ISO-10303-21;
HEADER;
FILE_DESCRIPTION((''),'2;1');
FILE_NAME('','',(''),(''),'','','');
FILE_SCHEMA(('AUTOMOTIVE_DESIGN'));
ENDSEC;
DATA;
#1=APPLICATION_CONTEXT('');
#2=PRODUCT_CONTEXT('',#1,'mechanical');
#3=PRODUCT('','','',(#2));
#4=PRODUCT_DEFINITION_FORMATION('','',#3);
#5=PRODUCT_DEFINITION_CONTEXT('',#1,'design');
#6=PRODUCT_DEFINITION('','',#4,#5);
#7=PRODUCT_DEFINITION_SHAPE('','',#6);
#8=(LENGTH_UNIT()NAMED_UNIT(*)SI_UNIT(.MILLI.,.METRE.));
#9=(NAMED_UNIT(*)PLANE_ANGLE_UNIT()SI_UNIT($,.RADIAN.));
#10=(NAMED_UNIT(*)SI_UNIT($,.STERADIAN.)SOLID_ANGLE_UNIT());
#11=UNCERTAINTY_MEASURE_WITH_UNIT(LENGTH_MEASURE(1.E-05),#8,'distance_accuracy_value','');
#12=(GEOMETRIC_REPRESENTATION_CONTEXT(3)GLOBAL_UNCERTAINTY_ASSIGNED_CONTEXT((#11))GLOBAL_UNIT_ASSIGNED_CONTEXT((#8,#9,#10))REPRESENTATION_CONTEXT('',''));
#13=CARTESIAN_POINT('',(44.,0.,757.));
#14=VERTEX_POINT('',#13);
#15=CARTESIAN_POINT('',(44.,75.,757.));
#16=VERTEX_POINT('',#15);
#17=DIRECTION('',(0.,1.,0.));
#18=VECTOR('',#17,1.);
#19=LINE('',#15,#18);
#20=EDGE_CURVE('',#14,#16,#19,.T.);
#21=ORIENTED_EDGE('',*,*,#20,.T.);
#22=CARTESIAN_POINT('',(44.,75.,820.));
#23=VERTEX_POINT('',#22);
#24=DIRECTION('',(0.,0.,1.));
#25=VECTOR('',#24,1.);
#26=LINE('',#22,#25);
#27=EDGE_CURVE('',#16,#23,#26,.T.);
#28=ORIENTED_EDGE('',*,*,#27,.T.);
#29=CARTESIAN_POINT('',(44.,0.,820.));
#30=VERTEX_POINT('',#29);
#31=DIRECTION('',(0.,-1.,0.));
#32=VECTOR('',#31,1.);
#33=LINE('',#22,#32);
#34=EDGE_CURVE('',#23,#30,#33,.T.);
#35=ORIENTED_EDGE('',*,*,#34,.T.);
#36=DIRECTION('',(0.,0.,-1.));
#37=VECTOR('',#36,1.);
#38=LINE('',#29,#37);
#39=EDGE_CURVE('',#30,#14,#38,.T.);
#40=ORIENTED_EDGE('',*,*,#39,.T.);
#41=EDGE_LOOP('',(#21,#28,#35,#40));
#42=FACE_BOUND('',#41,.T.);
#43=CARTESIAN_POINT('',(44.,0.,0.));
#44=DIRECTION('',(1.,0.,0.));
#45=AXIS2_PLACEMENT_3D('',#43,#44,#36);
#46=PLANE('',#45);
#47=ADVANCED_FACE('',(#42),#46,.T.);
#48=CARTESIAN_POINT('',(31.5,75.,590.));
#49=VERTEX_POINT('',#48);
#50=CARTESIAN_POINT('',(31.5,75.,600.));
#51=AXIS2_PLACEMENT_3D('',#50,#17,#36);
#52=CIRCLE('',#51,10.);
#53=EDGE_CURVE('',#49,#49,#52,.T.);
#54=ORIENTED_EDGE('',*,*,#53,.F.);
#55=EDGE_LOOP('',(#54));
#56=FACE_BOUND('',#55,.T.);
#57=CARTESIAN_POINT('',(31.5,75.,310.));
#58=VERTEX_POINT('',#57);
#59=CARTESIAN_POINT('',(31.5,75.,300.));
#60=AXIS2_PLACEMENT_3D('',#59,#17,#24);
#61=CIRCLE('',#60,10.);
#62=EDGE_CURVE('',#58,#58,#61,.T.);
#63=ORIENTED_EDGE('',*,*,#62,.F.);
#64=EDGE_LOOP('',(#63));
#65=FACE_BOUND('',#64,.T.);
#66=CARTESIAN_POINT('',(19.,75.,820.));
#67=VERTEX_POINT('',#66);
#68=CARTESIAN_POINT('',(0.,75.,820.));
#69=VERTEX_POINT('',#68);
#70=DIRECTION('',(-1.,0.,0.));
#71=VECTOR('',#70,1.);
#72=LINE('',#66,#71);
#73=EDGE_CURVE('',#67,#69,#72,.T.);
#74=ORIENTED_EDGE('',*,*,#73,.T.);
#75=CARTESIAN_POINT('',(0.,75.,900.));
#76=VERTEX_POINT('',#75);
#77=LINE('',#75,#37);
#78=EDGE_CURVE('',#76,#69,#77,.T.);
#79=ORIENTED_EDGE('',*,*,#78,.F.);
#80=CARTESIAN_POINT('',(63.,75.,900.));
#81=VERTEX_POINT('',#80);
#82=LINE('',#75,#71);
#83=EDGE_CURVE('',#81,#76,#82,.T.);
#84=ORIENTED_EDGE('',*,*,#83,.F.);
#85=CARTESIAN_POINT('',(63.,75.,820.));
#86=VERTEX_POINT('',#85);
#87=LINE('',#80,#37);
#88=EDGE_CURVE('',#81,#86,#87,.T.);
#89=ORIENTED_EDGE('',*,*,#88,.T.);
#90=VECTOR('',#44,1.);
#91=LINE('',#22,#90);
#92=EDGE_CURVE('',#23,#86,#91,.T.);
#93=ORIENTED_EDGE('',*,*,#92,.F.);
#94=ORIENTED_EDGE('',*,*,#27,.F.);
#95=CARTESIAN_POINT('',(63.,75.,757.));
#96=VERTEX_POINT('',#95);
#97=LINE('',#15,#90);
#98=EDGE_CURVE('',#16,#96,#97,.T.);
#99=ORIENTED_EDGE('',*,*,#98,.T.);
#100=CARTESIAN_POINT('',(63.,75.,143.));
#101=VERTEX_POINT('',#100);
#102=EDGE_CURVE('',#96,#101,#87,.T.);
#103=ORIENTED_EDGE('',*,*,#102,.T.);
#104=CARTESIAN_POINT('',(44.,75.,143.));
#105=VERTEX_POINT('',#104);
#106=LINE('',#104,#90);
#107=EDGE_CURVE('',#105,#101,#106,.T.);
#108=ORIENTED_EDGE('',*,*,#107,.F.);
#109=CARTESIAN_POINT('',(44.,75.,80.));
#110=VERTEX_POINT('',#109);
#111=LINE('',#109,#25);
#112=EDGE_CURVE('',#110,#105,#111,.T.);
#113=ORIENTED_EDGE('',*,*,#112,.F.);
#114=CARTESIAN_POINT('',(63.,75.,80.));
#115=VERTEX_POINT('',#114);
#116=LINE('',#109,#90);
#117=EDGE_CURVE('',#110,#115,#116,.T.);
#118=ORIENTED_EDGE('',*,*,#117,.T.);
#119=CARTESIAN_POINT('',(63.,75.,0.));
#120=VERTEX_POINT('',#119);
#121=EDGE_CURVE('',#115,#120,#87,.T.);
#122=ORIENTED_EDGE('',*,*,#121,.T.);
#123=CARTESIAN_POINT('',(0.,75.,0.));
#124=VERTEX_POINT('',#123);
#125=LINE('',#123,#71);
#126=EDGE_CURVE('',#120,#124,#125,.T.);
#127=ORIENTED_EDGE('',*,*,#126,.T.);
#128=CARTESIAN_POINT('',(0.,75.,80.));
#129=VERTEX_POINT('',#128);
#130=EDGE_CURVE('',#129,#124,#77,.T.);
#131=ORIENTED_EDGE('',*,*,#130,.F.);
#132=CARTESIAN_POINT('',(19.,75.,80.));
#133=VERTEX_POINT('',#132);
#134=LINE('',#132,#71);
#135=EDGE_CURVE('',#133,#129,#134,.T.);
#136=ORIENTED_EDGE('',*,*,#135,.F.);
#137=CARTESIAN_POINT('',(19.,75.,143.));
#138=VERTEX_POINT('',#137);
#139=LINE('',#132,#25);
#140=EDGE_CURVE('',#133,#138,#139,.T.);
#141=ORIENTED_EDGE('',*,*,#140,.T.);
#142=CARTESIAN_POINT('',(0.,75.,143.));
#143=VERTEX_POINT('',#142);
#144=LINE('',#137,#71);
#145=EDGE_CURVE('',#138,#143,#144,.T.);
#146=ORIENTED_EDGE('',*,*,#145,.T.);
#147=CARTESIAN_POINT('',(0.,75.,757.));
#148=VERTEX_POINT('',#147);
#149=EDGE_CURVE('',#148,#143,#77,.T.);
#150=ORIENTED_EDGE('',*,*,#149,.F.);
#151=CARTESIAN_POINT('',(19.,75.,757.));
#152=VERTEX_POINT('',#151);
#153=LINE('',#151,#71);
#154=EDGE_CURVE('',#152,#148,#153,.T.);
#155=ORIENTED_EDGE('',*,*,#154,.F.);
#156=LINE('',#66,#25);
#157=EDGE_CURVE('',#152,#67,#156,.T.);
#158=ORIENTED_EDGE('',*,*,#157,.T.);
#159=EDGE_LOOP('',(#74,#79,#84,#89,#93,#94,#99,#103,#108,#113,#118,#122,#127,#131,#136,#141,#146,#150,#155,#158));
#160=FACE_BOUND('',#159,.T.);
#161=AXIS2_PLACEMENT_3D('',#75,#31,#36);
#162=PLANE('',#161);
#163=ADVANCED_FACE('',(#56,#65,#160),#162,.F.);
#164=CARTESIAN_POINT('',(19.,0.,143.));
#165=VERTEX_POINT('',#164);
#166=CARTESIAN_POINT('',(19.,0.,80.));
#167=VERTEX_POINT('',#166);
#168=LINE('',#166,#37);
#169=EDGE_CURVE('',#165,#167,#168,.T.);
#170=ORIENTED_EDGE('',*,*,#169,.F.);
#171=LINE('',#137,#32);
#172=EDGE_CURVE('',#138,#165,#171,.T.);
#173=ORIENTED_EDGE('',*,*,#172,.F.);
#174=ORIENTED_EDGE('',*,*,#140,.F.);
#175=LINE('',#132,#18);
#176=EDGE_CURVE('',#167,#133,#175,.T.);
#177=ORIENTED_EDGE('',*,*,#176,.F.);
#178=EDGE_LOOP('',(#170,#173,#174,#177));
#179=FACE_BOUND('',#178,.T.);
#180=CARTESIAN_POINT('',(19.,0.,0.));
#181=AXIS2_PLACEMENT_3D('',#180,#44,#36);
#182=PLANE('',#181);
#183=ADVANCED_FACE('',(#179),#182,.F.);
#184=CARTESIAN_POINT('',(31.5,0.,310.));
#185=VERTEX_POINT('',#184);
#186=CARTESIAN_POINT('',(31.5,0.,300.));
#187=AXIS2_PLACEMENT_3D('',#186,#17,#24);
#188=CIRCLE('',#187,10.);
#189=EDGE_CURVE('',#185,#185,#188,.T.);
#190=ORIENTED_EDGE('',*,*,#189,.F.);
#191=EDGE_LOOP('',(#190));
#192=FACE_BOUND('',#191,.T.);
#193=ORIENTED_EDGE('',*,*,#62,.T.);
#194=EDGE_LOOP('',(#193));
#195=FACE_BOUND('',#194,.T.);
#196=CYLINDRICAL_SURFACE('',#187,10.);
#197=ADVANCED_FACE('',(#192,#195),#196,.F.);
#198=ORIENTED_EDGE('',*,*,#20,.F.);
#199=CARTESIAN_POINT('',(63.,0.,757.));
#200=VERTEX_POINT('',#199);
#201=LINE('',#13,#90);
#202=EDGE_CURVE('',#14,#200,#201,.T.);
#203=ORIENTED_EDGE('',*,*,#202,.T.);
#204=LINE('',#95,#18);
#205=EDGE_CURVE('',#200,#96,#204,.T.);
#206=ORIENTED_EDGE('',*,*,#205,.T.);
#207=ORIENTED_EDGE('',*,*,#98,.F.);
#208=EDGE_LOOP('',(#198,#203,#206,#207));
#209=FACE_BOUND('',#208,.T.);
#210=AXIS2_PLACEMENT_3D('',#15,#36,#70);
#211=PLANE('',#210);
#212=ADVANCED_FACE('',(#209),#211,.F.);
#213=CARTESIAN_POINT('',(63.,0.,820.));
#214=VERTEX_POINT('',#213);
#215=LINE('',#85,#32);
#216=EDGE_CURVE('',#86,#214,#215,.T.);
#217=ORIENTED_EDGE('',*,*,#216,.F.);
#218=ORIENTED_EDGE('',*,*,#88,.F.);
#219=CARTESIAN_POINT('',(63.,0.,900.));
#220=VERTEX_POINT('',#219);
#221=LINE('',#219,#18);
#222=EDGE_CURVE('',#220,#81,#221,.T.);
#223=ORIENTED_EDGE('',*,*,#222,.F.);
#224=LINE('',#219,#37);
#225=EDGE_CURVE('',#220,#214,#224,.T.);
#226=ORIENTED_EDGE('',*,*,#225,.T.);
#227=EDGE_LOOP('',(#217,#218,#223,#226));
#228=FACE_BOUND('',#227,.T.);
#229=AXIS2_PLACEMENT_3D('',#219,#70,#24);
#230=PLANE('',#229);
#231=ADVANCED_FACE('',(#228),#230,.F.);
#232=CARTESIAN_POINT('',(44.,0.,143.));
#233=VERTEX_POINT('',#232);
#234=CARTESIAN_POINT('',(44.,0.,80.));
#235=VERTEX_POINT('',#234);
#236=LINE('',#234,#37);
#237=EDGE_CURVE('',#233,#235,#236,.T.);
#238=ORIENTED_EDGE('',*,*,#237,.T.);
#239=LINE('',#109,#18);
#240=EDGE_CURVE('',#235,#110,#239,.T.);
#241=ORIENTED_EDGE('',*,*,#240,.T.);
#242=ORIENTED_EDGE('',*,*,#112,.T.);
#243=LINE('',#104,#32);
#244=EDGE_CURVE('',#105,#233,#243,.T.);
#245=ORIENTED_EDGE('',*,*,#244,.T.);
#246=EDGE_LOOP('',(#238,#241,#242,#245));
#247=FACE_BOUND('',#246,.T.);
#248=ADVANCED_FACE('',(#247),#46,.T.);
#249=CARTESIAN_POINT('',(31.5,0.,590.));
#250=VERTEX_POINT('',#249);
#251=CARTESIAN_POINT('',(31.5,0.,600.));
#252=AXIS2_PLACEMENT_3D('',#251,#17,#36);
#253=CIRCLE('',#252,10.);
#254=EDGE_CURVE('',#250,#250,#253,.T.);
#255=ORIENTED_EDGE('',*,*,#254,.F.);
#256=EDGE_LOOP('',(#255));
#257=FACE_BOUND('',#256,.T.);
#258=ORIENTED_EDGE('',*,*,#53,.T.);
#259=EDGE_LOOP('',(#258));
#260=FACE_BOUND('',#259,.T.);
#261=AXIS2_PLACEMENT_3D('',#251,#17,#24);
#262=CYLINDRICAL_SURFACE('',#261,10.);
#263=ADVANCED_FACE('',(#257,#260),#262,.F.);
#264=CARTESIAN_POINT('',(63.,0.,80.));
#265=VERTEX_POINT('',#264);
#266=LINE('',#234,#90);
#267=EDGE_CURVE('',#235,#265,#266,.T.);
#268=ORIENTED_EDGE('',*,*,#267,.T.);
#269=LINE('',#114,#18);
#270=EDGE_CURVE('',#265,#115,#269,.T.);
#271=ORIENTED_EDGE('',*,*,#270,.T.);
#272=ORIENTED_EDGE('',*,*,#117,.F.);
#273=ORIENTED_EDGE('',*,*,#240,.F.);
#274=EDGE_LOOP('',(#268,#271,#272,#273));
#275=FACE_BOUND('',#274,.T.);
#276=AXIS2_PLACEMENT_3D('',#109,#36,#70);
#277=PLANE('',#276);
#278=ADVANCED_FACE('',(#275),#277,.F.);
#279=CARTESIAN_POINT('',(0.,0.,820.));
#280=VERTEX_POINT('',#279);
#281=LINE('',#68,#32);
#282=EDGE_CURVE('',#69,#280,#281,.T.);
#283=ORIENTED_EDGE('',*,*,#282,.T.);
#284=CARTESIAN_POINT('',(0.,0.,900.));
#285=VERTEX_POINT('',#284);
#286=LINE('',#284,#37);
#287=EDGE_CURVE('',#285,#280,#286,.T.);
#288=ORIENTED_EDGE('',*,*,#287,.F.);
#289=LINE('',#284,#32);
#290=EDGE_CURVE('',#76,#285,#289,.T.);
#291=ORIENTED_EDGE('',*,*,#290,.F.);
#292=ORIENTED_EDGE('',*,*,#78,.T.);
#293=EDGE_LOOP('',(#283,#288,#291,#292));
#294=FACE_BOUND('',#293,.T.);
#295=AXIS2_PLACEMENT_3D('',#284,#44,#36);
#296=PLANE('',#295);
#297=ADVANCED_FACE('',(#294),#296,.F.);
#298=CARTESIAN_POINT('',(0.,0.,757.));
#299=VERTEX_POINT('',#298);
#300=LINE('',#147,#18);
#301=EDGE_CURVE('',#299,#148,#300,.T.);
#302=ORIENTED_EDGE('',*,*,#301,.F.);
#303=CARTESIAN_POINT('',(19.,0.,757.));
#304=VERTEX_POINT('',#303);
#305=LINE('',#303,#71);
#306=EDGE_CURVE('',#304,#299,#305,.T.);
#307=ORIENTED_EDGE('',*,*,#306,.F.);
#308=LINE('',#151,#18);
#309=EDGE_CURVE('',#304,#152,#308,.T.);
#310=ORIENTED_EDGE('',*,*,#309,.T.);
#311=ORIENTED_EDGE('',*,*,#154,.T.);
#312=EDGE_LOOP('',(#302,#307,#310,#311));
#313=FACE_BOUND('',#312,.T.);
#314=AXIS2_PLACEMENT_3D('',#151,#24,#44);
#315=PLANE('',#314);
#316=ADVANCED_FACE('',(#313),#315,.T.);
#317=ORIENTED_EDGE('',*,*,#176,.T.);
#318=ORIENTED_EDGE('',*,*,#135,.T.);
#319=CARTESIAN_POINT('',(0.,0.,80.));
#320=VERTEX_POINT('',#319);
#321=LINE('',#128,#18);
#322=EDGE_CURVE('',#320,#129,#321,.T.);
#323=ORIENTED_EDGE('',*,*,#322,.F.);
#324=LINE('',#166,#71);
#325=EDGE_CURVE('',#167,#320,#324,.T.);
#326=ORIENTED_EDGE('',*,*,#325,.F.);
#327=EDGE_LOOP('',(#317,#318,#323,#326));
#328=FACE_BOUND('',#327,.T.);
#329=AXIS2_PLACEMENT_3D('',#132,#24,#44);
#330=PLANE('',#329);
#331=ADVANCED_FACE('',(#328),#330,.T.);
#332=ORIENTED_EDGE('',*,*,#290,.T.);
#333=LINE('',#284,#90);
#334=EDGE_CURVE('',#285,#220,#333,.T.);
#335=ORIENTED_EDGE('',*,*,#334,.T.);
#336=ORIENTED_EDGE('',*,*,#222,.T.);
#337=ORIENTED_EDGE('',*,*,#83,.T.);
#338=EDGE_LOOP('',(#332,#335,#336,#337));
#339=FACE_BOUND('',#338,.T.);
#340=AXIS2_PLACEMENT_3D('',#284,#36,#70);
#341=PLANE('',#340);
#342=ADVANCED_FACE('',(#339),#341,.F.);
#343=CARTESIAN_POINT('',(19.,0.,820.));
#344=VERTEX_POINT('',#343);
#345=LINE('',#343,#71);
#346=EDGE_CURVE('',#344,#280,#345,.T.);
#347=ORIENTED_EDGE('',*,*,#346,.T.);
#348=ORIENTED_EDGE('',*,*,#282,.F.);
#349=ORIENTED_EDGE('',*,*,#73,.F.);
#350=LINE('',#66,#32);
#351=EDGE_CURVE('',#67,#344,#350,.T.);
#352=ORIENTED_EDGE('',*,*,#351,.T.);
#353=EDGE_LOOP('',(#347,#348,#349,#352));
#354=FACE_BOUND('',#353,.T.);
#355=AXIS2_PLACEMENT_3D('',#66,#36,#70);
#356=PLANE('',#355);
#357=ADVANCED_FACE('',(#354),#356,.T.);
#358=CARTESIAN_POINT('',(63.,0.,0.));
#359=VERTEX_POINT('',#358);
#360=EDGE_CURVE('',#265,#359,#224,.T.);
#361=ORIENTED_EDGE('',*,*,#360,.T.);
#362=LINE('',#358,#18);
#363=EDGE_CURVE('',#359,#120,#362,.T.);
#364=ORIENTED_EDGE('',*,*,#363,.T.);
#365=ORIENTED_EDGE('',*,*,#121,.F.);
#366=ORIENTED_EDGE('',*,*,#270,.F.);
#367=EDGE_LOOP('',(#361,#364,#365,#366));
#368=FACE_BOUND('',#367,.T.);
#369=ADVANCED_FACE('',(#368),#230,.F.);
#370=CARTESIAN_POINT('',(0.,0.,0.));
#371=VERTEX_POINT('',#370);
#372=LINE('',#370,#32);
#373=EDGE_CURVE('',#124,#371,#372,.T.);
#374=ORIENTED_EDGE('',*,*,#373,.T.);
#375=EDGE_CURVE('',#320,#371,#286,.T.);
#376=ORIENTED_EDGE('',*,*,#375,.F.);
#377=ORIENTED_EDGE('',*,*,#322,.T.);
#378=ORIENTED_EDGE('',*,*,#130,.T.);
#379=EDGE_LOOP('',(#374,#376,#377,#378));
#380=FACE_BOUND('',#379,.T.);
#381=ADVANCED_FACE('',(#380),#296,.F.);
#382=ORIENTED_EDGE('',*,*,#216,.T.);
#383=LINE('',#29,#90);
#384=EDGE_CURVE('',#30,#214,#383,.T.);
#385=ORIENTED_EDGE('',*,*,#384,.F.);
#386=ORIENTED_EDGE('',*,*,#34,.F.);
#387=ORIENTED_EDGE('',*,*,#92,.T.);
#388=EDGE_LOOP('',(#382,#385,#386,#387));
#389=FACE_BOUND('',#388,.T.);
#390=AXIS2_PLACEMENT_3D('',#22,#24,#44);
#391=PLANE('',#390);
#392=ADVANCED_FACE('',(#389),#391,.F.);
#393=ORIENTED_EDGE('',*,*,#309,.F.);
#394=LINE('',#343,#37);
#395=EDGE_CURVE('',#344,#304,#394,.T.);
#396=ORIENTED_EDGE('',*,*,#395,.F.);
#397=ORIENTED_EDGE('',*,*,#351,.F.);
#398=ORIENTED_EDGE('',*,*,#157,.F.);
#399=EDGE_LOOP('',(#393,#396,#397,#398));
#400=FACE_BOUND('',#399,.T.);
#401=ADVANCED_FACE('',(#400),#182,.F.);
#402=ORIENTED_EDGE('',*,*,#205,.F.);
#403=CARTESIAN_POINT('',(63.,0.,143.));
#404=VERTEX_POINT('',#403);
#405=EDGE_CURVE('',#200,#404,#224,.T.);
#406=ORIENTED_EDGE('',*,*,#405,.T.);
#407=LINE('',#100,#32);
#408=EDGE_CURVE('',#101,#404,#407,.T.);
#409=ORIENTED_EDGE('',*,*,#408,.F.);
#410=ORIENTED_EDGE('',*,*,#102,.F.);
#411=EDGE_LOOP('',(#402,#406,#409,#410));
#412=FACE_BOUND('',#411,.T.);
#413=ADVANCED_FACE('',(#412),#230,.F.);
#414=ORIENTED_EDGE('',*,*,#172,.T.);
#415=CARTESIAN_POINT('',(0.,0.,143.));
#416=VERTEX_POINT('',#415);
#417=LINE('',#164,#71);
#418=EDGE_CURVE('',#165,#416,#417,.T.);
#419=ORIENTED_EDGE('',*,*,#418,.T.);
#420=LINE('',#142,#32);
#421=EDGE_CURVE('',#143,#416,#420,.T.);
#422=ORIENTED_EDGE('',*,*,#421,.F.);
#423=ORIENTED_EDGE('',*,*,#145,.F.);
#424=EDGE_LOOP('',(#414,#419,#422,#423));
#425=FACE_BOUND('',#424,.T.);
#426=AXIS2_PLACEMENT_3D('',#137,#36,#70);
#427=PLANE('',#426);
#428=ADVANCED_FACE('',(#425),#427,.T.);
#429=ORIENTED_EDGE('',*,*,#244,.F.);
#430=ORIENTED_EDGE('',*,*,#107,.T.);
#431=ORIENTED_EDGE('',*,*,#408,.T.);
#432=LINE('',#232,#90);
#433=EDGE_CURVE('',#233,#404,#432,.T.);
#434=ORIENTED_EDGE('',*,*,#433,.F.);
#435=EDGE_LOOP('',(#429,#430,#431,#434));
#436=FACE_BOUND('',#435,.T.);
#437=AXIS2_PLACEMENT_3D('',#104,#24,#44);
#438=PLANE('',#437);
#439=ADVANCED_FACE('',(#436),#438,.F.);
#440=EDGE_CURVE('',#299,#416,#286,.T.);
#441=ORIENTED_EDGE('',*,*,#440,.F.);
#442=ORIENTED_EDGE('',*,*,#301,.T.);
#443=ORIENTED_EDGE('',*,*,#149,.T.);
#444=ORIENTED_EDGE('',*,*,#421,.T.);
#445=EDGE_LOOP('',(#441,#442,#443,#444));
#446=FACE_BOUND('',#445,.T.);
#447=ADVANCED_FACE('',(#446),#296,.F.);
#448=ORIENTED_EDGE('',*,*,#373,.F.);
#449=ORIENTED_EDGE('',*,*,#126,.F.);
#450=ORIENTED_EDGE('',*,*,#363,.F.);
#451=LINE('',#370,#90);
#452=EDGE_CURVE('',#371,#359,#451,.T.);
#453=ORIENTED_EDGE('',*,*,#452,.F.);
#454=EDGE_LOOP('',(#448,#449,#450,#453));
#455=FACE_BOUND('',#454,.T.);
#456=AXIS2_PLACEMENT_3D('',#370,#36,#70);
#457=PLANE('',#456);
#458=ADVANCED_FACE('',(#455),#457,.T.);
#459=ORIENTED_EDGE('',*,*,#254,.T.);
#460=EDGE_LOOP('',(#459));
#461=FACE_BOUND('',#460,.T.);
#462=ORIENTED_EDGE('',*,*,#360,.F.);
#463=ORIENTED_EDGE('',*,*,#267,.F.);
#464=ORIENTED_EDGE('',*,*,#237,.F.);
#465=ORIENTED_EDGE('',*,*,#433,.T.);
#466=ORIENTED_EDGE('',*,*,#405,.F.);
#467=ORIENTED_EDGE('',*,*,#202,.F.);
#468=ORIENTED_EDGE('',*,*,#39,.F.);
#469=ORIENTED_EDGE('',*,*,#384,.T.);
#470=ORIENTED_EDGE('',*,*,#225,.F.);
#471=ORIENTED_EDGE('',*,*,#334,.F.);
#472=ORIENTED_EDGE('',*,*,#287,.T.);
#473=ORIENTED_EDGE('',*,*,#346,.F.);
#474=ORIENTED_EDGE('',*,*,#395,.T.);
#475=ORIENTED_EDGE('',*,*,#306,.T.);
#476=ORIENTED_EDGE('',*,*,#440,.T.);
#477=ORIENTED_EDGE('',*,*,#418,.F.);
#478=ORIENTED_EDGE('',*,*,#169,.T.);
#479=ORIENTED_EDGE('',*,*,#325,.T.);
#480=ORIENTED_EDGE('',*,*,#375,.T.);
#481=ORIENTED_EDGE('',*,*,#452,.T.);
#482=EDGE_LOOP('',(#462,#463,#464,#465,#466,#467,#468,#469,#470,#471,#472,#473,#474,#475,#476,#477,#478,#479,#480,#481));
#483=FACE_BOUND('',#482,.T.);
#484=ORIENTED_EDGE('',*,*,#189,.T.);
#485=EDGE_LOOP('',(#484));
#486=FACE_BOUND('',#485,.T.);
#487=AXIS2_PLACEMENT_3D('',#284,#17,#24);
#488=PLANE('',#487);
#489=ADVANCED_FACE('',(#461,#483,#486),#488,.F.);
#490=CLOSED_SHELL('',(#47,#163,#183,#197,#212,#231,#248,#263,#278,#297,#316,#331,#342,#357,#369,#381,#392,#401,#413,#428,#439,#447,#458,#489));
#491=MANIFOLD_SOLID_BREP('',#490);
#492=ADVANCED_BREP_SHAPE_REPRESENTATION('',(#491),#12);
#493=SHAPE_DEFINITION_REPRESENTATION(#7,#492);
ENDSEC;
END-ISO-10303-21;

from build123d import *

# Parameters (mm, degrees)
ESQUISSE1_W             = 63
ESQUISSE1_H             = 75
BOSS_EXTRU_1_DEPTH      = 900
ESQUISSE2_W             = 63
ESQUISSE2_H             = 75
ENL_V_MAT_EXTRU_1_DEPTH = 19
ENL_V_START             = -63
ESQUISSE2_2_W           = 63
ESQUISSE2_2_H           = 75
ENL_V_MAT_EXTRU_2_DEPTH = 19
ESQUISSE3_R             = 10
ENL_V_MAT_EXTRU_3_DEPTH = 906.31431006


with BuildPart() as part:
    # Esquisse1 → Boss.-Extru.1 (new body)
    with BuildSketch(Plane.XY):
        with Locations((31.5, 37.5)):
            Rectangle(ESQUISSE1_W, ESQUISSE1_H)
    extrude(amount=BOSS_EXTRU_1_DEPTH)

    # Esquisse2 → Enlèv. mat.-Extru.1 (cut)
    with BuildSketch(Plane(origin=(63, 0, 0), x_dir=(0, 0, -1), z_dir=(1, 0, 0))):
        with Locations((-788.5, 37.5)):
            Rectangle(ESQUISSE2_W, ESQUISSE2_H)
        with Locations((-111.5, 37.5)):
            Rectangle(ESQUISSE2_W, ESQUISSE2_H)
    extrude(amount=-ENL_V_MAT_EXTRU_1_DEPTH, mode=Mode.SUBTRACT)

    # Esquisse2<2> → Enlèv. mat.-Extru.2 (cut)
    with BuildSketch(Plane(origin=(63, 0, 0), x_dir=(0, 0, -1), z_dir=(1, 0, 0)).offset(ENL_V_START)):
        with Locations((-788.5, 37.5)):
            Rectangle(ESQUISSE2_2_W, ESQUISSE2_2_H)
        with Locations((-111.5, 37.5)):
            Rectangle(ESQUISSE2_2_W, ESQUISSE2_2_H)
    extrude(amount=ENL_V_MAT_EXTRU_2_DEPTH, mode=Mode.SUBTRACT)

    # Esquisse3 → Enlèv. mat.-Extru.3 (cut, through all)
    with BuildSketch(Plane(origin=(0, 75, 0), x_dir=(1, 0, 0), z_dir=(0, 1, 0))):
        with Locations(Location((31.5, -300, 0), (0, 0, 270))):
            Circle(ESQUISSE3_R)
        with Locations(Location((31.5, -600, 0), (0, 0, 90))):
            Circle(ESQUISSE3_R)
    extrude(amount=-ENL_V_MAT_EXTRU_3_DEPTH, mode=Mode.SUBTRACT)


solid = part.part
